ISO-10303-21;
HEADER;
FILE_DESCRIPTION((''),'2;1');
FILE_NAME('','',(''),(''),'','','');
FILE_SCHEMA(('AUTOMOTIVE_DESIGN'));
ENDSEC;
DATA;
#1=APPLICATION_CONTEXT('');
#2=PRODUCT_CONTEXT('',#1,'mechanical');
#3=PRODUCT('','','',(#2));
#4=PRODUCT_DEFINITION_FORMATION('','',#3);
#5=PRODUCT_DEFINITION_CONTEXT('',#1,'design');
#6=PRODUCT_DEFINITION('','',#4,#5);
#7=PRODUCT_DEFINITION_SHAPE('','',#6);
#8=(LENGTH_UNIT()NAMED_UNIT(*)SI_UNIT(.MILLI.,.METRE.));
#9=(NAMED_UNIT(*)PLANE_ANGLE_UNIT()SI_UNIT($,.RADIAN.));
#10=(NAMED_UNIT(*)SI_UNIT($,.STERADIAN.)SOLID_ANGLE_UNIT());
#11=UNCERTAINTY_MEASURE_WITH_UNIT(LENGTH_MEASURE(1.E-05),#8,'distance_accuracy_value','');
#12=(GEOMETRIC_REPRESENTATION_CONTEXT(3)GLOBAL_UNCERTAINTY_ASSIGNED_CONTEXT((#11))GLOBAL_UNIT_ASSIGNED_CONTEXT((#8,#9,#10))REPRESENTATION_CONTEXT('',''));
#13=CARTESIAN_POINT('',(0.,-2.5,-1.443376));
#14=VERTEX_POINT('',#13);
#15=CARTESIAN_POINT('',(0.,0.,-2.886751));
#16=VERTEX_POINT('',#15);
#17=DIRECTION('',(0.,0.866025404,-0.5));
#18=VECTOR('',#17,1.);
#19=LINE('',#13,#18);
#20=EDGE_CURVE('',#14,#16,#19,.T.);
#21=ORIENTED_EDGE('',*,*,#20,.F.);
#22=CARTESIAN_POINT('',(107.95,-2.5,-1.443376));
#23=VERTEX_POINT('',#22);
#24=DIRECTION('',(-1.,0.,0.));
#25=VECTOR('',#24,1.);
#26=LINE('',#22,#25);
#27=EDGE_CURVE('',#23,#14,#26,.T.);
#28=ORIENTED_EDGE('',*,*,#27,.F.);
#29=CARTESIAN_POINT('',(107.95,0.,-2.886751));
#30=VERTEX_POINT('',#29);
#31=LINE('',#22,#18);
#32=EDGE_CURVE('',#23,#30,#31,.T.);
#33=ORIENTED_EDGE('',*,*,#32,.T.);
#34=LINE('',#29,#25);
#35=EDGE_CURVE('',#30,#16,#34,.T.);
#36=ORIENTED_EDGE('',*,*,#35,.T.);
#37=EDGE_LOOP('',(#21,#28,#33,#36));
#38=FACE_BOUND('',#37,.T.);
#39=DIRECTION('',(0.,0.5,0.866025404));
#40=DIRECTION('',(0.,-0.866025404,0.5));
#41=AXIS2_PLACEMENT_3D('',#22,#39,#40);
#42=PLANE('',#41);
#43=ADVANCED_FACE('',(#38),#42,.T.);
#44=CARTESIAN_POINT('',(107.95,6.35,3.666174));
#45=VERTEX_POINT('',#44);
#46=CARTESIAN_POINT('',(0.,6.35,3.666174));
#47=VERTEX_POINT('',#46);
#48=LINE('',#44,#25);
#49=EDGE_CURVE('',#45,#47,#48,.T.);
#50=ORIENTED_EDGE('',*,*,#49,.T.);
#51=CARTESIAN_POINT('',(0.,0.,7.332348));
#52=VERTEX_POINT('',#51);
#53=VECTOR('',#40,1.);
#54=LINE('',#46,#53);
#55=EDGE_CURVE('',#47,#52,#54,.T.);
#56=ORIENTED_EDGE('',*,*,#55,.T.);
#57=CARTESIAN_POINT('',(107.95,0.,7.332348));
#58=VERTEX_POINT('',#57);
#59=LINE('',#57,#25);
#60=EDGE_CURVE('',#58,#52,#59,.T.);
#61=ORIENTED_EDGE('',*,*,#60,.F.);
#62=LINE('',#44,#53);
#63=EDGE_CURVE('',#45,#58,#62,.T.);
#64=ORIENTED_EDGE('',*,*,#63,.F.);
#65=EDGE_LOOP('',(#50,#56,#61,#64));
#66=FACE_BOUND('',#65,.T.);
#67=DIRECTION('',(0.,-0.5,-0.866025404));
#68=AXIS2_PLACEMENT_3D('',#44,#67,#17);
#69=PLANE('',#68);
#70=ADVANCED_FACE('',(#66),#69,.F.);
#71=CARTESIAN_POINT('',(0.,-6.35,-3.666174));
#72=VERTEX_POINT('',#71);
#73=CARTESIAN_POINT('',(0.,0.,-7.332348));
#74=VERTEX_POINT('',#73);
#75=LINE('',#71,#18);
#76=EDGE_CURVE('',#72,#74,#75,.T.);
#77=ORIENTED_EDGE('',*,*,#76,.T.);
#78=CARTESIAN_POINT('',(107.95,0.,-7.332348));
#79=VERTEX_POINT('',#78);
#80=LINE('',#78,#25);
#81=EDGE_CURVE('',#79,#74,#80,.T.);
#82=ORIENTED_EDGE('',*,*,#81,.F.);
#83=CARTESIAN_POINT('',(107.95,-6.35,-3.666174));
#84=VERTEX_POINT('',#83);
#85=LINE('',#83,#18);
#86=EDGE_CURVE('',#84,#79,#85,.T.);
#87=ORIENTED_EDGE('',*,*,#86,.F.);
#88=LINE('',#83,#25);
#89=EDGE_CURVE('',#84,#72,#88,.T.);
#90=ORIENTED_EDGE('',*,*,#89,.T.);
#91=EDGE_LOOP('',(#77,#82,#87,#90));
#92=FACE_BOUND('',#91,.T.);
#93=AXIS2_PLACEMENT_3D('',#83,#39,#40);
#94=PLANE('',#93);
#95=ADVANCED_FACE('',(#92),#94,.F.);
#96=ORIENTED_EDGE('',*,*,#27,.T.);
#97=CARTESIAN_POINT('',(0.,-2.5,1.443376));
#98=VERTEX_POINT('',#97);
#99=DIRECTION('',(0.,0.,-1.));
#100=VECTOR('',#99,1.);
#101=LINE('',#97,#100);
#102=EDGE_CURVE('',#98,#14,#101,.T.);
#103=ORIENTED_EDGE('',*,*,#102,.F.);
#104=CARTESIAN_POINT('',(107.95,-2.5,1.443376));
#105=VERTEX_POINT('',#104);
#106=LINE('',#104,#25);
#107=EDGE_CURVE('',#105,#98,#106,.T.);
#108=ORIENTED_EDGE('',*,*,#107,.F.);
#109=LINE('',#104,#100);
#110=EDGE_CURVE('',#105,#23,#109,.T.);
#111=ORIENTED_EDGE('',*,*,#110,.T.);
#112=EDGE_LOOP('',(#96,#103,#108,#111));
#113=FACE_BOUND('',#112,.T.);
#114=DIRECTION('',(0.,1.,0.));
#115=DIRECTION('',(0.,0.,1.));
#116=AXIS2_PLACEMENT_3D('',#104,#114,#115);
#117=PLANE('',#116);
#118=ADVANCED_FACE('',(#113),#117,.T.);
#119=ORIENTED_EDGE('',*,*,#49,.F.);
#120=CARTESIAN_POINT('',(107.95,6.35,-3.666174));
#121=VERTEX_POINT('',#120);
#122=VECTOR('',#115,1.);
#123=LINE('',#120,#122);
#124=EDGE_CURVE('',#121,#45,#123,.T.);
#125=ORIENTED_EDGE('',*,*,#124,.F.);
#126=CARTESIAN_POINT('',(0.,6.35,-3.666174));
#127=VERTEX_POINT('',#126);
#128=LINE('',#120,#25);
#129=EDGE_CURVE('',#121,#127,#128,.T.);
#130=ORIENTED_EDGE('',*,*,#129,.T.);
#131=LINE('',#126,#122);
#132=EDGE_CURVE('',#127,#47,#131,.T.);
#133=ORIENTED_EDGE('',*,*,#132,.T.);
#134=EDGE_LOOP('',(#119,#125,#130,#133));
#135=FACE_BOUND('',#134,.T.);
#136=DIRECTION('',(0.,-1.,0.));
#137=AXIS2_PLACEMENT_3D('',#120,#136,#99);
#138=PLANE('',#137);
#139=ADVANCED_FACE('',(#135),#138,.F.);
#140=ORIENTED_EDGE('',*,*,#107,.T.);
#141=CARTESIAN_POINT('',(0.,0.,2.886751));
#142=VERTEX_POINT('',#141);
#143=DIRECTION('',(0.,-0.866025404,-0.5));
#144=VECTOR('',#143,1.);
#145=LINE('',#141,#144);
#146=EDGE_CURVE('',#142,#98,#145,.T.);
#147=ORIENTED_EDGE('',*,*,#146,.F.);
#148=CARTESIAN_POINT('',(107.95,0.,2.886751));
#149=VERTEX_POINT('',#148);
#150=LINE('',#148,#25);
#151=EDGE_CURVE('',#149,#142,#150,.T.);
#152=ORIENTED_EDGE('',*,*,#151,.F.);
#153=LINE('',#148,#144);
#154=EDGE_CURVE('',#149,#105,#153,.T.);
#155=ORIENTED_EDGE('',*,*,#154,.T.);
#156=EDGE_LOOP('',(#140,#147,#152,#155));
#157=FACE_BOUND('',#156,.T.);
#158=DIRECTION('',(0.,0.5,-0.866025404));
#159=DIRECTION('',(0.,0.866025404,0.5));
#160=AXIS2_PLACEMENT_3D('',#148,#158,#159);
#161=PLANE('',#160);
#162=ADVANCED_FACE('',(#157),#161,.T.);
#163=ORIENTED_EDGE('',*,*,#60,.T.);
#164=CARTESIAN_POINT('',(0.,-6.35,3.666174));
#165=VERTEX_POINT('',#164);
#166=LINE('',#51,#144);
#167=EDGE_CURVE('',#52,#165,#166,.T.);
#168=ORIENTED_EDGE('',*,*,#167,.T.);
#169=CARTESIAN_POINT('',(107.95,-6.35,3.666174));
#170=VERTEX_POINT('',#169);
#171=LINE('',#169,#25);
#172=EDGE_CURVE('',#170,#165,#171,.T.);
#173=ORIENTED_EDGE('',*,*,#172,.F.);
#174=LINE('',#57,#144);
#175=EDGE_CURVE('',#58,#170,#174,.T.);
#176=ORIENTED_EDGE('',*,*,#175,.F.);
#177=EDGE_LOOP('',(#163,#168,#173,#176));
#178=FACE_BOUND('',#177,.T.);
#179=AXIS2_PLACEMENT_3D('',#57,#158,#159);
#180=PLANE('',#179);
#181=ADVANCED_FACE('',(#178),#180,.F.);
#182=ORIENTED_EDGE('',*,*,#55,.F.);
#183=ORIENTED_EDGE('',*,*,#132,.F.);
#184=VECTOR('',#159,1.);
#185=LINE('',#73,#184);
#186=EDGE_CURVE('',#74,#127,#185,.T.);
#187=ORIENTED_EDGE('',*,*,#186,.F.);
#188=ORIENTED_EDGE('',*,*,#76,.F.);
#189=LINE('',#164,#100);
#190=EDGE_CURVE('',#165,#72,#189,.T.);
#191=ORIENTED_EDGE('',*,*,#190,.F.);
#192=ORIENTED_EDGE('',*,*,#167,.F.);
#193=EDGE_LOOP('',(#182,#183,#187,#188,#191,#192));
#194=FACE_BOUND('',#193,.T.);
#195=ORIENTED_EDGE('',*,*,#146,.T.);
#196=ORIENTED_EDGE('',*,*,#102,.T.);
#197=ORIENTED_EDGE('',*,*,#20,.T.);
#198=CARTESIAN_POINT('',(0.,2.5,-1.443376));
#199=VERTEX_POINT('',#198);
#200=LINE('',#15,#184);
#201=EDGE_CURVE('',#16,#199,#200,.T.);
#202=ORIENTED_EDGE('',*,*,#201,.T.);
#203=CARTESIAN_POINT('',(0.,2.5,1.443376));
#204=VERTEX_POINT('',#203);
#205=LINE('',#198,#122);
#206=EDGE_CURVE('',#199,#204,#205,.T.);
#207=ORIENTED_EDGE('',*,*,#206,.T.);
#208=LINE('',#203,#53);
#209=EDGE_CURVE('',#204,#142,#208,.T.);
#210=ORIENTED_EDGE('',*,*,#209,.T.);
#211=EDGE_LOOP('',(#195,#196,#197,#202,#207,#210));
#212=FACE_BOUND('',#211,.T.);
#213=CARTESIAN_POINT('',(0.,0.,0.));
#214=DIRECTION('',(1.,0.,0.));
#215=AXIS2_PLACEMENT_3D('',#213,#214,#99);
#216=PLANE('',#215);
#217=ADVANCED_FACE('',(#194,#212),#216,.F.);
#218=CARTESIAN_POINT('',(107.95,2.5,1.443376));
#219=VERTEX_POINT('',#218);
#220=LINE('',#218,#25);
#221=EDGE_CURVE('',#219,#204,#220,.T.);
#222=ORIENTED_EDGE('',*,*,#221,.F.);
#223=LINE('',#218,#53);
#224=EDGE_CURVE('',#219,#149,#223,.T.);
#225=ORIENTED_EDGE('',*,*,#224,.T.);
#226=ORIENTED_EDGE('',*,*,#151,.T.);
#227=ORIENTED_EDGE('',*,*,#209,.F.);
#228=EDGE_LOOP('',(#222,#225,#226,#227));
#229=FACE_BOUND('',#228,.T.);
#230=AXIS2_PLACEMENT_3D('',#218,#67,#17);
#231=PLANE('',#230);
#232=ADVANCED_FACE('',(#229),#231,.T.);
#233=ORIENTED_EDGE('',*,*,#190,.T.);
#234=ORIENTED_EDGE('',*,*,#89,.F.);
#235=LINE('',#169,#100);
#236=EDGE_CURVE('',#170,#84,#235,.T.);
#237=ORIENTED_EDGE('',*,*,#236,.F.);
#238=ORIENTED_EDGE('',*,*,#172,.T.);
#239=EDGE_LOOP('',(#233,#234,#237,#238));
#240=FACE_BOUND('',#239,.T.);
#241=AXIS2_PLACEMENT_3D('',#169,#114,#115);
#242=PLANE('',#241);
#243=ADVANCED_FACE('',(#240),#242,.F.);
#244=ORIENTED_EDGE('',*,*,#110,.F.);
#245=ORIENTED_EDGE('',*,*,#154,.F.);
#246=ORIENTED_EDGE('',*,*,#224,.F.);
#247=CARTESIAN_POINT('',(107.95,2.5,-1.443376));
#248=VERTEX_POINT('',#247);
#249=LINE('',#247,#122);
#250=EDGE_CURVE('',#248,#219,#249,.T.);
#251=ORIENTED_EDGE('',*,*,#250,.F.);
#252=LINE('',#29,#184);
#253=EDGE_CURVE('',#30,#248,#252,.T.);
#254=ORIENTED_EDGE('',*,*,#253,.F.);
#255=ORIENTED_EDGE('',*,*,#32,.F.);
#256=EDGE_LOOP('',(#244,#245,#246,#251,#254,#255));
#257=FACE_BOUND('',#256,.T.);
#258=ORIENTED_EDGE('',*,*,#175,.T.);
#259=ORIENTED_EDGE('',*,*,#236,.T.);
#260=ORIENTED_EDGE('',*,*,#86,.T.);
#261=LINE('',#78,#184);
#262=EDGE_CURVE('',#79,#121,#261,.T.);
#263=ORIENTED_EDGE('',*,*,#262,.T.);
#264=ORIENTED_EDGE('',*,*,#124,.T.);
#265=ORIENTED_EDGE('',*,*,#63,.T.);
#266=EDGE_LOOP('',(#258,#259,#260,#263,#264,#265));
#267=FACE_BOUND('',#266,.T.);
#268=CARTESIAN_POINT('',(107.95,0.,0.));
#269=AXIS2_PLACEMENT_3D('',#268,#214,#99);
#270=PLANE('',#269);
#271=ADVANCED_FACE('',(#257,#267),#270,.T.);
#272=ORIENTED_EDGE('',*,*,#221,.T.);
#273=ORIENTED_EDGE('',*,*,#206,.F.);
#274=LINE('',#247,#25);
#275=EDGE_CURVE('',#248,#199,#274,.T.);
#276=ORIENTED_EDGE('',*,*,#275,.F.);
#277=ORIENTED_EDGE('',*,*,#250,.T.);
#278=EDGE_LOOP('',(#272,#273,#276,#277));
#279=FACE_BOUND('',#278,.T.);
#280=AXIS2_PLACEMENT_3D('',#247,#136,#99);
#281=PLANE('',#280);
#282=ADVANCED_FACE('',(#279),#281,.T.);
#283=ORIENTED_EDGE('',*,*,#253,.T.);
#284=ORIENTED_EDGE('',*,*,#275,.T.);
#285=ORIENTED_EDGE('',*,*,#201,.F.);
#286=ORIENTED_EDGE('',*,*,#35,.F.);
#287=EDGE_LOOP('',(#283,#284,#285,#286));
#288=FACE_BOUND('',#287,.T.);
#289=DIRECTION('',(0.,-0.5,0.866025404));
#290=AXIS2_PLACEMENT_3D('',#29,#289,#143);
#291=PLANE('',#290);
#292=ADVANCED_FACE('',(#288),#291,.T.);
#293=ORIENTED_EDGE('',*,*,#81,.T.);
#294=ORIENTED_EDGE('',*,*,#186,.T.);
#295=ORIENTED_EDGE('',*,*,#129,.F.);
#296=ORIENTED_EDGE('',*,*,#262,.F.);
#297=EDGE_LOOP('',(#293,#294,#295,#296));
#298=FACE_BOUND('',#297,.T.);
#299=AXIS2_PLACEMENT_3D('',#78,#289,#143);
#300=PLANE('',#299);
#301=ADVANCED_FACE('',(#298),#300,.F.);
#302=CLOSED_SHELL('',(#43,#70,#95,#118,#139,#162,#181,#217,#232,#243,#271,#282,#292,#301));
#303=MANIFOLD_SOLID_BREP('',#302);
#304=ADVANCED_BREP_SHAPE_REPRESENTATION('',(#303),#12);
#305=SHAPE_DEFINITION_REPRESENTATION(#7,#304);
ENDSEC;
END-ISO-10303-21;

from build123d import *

# Parameters (mm, degrees)
BOSS_EXTRUDE1_DEPTH = 107.95


with BuildPart() as part:
    # Sketch1 → Boss-Extrude1 (new body)
    with BuildSketch(Plane(origin=(0, 0, 0), x_dir=(0, 0, -1), z_dir=(1, 0, 0))):
        Polygon((7.332348419, 0), (3.666174209, 6.35), (-3.666174209, 6.35), (-7.332348419, 0), (-3.666174209, -6.35), (3.666174209, -6.35), align=None)
        Polygon((2.886751346, 0), (1.443375673, 2.5), (-1.443375673, 2.5), (-2.886751346, 0), (-1.443375673, -2.5), (1.443375673, -2.5), align=None, mode=Mode.SUBTRACT)
    extrude(amount=BOSS_EXTRUDE1_DEPTH)


solid = part.part
